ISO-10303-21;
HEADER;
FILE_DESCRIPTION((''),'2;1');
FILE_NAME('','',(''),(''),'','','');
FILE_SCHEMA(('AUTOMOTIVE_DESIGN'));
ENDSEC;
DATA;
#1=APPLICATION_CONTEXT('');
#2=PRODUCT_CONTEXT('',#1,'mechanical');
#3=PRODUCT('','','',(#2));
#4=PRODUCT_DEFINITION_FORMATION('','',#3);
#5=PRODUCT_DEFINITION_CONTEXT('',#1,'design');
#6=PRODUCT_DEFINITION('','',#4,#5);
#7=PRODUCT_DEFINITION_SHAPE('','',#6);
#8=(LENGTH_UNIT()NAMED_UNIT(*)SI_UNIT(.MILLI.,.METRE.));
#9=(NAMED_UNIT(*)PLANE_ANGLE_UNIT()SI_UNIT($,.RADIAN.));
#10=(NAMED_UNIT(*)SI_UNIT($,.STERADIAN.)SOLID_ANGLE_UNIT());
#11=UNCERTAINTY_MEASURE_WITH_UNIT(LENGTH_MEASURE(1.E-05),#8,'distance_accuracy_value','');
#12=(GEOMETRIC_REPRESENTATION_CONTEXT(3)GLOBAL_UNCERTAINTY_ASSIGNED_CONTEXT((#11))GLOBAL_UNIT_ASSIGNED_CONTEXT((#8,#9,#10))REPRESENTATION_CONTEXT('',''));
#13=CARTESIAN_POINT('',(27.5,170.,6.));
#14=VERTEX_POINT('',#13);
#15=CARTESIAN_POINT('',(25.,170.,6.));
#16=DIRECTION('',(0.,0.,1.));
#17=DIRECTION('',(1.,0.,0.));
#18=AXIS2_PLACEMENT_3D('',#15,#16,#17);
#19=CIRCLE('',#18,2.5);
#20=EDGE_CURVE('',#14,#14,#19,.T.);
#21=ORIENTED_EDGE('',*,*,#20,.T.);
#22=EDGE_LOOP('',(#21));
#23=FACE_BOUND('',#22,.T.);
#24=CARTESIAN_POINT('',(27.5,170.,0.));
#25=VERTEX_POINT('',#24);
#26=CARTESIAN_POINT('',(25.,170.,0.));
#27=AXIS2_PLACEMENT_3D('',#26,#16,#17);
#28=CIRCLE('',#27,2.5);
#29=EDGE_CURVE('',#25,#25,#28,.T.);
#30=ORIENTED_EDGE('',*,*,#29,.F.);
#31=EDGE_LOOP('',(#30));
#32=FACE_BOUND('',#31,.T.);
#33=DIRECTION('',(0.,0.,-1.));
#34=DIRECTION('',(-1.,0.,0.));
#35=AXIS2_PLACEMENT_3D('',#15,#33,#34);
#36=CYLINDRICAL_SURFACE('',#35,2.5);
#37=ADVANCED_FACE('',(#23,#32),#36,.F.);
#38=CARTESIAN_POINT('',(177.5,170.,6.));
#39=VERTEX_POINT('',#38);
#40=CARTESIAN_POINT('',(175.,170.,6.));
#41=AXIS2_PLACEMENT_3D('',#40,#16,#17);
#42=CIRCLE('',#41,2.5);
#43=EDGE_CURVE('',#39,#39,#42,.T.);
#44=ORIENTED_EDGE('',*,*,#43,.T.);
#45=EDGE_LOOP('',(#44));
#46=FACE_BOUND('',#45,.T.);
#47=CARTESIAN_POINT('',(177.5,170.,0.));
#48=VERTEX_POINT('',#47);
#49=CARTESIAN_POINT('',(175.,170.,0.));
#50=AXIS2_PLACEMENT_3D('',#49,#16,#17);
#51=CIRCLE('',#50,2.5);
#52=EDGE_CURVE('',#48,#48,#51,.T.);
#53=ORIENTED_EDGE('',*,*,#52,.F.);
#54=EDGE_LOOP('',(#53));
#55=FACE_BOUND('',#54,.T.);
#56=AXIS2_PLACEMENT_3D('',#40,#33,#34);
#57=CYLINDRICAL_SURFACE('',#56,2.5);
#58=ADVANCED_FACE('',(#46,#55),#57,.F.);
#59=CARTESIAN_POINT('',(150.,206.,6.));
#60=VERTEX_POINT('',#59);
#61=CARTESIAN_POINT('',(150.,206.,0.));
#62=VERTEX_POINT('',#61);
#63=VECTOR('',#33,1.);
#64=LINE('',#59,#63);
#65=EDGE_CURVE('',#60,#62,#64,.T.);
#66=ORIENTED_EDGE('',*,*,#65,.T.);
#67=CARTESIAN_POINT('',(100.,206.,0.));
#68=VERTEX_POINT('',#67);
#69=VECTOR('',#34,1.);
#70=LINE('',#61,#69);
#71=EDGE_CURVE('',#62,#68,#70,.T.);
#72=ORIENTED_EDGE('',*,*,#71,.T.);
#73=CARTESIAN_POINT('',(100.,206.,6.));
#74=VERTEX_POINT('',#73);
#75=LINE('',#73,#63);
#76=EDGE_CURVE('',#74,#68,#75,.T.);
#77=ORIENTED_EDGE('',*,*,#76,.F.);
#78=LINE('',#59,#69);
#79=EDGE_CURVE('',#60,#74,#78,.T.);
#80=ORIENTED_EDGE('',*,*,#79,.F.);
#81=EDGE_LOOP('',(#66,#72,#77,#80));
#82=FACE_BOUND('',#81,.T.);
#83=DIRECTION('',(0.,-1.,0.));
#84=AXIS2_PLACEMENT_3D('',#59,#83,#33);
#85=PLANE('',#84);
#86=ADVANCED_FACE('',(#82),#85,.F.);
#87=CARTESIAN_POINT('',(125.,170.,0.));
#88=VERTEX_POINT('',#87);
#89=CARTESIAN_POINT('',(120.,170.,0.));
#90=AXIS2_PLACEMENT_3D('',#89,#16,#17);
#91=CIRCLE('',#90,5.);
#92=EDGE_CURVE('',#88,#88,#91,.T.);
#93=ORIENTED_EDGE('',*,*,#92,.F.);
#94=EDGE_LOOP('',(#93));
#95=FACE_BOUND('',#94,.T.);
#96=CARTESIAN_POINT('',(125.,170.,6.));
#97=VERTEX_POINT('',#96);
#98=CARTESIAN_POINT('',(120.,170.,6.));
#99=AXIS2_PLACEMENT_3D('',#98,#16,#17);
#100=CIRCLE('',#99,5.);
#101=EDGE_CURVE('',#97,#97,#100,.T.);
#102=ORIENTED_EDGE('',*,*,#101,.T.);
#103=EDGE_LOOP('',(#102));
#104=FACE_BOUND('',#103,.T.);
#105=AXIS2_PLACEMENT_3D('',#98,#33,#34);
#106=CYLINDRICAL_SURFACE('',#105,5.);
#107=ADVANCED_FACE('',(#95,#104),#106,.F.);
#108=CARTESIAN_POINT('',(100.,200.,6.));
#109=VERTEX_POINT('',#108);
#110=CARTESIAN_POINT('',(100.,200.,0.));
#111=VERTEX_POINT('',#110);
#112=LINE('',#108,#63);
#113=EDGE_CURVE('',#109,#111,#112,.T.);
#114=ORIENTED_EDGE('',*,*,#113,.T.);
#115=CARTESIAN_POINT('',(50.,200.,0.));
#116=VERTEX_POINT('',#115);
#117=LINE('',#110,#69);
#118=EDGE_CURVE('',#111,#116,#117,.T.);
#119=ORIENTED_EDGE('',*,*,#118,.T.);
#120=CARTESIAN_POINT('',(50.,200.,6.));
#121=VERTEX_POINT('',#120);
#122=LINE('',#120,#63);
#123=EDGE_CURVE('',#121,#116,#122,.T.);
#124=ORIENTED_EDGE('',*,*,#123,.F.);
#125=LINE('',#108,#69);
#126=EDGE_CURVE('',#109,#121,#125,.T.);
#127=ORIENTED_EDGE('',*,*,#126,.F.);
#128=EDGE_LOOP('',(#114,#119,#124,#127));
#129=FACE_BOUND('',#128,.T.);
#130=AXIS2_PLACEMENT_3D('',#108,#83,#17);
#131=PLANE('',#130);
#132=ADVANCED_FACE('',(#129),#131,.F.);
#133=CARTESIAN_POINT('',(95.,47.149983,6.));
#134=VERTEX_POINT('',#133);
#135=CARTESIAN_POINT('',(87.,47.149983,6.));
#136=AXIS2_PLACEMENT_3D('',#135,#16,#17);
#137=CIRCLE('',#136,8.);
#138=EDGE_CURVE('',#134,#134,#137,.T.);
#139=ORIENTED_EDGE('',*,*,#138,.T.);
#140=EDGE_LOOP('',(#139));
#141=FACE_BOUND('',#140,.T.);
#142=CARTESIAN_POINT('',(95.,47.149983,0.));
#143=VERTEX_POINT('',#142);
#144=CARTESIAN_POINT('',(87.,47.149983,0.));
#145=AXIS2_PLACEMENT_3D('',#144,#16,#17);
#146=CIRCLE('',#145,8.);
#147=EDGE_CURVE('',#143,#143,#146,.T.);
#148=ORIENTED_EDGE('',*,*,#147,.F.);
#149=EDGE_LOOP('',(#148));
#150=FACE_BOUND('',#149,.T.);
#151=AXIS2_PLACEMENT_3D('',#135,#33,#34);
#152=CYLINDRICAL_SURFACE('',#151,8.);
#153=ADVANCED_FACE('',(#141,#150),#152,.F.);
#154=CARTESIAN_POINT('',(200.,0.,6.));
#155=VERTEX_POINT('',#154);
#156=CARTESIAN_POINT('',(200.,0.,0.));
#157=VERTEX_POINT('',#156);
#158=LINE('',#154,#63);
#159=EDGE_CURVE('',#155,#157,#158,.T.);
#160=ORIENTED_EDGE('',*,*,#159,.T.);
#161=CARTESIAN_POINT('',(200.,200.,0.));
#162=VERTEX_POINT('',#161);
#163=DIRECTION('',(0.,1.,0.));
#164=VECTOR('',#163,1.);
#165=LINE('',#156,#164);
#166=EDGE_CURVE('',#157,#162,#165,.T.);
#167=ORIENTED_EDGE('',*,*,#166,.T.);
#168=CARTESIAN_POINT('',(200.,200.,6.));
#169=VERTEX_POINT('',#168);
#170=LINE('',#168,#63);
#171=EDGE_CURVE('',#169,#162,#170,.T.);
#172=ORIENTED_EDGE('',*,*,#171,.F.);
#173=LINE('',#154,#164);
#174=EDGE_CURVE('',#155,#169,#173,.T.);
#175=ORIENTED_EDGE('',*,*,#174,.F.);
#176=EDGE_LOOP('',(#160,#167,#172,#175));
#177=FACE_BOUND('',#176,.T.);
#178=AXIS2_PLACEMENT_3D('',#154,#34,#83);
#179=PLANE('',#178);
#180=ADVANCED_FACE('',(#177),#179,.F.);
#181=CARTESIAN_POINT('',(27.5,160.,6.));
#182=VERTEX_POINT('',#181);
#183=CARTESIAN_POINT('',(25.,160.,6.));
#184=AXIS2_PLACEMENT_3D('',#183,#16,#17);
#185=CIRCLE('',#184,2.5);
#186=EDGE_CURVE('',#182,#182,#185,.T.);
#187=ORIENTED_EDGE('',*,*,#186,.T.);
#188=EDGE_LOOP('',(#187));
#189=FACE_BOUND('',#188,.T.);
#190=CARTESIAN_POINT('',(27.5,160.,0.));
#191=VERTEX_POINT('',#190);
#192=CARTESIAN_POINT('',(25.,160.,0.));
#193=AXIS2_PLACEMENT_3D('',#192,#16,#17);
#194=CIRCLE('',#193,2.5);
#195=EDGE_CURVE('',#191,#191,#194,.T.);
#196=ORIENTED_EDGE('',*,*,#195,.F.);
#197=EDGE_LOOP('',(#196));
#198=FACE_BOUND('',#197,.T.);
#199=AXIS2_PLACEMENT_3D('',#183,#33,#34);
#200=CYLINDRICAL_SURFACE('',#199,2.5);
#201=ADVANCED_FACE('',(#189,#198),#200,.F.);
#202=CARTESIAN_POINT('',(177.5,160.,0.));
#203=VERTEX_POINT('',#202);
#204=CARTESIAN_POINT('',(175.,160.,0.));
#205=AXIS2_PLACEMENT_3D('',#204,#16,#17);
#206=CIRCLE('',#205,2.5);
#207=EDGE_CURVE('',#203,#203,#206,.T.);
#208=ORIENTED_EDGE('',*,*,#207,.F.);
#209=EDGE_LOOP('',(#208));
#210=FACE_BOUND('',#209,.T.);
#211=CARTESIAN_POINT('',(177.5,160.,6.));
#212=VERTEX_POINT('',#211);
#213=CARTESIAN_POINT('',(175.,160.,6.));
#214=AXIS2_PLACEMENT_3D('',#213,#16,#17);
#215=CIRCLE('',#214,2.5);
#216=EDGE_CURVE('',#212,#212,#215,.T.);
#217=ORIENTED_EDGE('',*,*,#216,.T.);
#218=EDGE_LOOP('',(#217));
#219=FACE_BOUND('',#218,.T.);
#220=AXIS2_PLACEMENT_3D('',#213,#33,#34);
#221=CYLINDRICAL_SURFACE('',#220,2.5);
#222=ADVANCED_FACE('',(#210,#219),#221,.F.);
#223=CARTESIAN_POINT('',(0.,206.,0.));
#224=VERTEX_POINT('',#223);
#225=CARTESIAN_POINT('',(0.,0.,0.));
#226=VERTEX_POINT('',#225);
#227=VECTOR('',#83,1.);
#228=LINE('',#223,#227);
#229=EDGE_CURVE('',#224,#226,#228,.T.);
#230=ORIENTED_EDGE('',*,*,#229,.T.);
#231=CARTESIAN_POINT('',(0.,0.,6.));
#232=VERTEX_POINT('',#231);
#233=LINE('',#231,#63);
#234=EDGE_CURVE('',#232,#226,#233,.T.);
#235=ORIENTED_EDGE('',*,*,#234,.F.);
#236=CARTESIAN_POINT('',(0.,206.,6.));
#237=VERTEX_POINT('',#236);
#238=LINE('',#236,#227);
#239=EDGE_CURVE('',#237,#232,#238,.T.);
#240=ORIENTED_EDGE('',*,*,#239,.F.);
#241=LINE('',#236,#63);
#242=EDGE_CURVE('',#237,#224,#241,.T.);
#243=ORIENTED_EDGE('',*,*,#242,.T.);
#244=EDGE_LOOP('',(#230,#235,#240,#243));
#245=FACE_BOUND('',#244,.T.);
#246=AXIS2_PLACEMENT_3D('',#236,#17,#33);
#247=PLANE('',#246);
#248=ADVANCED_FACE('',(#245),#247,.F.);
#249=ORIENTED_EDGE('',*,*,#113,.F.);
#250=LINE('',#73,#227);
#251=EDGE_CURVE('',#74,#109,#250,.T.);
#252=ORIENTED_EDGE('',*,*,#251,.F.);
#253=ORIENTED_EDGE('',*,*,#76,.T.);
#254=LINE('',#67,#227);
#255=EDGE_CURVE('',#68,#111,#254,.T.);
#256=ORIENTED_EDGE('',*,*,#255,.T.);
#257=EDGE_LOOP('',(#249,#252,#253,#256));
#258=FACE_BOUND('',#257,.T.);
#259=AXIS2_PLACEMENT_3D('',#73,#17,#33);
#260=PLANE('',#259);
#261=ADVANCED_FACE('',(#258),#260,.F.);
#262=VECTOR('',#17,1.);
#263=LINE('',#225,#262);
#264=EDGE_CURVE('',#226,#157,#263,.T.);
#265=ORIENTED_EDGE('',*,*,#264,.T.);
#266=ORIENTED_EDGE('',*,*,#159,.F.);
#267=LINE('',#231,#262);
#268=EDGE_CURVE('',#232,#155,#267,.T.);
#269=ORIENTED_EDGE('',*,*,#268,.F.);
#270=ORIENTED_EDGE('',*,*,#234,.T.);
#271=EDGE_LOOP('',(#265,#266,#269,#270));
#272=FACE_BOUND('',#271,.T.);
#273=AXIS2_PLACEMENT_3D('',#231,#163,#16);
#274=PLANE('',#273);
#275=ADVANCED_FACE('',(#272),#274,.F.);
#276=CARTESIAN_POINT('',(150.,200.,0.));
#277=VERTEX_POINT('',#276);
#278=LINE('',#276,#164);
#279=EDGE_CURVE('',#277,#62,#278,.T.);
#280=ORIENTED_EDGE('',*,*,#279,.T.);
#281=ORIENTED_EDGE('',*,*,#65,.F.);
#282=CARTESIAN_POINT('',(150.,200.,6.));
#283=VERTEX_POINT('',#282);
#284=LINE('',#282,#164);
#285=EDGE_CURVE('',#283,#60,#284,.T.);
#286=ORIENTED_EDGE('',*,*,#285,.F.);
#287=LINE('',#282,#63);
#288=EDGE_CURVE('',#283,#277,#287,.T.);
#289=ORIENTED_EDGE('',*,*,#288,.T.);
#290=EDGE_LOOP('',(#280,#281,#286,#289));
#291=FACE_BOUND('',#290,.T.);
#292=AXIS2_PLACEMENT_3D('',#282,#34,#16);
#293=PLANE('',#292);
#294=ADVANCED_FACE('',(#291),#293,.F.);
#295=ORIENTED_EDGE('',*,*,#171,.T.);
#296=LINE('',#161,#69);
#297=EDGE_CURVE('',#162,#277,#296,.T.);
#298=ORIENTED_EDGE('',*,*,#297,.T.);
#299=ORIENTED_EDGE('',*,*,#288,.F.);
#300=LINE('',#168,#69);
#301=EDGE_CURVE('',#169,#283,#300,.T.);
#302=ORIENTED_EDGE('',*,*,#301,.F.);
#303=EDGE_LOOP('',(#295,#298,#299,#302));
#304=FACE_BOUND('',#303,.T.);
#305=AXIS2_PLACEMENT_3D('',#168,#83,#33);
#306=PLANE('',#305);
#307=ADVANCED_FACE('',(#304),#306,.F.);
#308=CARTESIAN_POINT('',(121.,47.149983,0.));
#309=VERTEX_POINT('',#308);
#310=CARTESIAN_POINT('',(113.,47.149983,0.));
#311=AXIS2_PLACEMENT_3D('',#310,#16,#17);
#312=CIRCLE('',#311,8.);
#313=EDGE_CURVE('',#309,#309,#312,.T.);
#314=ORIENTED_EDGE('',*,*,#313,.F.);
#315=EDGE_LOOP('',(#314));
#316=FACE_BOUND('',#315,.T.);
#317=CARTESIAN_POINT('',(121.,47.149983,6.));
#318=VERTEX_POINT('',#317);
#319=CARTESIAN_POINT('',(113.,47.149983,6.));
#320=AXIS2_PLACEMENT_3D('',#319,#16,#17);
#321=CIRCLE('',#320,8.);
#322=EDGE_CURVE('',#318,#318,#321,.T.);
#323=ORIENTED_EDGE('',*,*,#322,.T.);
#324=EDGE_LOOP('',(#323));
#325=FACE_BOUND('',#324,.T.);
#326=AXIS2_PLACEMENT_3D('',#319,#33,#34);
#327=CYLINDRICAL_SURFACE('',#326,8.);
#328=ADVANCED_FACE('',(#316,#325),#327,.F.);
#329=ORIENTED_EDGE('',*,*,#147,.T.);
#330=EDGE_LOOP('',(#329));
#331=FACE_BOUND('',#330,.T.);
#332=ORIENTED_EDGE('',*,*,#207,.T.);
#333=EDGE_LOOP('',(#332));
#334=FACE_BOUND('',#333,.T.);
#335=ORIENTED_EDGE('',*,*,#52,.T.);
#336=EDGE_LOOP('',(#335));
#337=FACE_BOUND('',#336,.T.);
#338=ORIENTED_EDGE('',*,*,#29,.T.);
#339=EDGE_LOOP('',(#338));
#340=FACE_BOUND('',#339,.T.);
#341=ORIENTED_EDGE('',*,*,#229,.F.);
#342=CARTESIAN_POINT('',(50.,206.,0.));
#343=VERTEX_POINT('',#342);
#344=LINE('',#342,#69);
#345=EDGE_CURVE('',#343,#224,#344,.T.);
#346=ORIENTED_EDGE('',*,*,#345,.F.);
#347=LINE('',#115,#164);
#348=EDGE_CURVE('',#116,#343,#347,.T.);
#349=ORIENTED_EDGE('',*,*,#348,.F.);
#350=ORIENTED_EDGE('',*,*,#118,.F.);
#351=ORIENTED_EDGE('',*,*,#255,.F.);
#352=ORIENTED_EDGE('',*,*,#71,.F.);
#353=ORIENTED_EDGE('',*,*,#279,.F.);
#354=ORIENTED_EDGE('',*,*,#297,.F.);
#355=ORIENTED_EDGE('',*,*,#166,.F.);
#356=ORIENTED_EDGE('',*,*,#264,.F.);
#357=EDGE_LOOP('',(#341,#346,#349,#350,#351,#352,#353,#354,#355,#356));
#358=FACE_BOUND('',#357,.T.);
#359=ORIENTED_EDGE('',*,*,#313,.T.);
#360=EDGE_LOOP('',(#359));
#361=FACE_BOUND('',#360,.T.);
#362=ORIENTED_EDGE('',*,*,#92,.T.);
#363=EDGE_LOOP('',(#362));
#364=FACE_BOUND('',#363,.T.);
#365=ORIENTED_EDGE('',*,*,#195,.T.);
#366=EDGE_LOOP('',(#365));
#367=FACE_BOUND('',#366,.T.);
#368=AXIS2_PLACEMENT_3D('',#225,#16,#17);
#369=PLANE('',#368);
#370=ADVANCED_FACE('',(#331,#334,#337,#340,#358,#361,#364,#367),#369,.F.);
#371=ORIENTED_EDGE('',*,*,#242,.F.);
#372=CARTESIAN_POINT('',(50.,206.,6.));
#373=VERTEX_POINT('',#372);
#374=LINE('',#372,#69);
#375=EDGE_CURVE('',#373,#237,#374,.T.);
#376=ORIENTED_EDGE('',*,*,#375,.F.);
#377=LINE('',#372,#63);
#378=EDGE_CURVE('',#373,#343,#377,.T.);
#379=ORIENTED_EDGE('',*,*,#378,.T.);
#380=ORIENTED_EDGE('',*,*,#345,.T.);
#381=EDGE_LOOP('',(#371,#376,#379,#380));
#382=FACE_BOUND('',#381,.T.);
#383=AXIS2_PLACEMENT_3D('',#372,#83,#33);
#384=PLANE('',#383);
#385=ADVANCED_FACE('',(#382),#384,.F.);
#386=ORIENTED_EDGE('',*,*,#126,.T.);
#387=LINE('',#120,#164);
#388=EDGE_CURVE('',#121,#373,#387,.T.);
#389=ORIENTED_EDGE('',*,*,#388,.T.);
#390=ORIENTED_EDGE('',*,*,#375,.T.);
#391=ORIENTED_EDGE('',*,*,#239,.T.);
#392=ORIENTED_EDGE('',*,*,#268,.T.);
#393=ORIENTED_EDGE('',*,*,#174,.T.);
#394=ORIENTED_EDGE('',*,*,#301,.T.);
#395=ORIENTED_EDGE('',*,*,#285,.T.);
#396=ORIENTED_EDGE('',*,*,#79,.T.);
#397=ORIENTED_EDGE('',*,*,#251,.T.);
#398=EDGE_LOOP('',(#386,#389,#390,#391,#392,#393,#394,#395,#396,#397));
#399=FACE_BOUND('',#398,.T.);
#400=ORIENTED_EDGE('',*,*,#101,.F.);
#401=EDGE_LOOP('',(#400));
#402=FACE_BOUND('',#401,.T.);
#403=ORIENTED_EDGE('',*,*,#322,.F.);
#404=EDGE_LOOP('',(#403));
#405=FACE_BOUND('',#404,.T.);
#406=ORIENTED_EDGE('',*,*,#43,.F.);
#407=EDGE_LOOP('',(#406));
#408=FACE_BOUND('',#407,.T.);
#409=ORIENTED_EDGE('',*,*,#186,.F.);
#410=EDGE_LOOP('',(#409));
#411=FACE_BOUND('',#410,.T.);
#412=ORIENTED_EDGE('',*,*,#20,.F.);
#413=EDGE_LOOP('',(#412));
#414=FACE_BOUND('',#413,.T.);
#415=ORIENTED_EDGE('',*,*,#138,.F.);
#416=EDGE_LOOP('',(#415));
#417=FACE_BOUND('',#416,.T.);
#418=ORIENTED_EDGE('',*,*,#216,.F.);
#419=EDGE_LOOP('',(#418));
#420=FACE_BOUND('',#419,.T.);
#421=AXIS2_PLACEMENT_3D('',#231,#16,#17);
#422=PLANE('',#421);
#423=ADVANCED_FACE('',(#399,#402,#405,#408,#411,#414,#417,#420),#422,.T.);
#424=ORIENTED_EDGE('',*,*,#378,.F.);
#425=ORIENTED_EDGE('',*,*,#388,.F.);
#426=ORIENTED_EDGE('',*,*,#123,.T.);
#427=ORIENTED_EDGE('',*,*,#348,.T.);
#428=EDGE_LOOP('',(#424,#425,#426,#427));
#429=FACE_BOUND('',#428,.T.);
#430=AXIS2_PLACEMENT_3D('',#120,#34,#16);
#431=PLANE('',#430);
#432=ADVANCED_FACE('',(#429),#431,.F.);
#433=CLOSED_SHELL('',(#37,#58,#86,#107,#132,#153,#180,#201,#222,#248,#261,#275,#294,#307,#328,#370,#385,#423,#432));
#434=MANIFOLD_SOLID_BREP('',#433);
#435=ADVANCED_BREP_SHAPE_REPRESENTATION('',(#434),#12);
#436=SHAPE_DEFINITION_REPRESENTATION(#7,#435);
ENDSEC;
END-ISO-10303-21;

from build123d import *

# Parameters (mm, degrees)
ESQUISSE1_R        = 2.5
ESQUISSE1_R_2      = 5
ESQUISSE1_R_3      = 8
BOSS_EXTRU_1_DEPTH = 6


with BuildPart() as part:
    # Esquisse1 → Boss.-Extru.1 (new body)
    with BuildSketch(Plane.XY):
        Polygon((0, 0), (200, 0), (200, 200), (150, 200), (150, 206), (100, 206), (100, 200), (50, 200), (50, 206), (0, 206), align=None)
        with Locations((175, 170)):
            Circle(ESQUISSE1_R, mode=Mode.SUBTRACT)
        with Locations((175, 160)):
            Circle(ESQUISSE1_R, mode=Mode.SUBTRACT)
        with Locations((25, 170)):
            Circle(ESQUISSE1_R, mode=Mode.SUBTRACT)
        with Locations((25, 160)):
            Circle(ESQUISSE1_R, mode=Mode.SUBTRACT)
        with Locations((120, 170)):
            Circle(ESQUISSE1_R_2, mode=Mode.SUBTRACT)
        with Locations((87, 47.14998282)):
            Circle(ESQUISSE1_R_3, mode=Mode.SUBTRACT)
        with Locations((113, 47.14998282)):
            Circle(ESQUISSE1_R_3, mode=Mode.SUBTRACT)
    extrude(amount=BOSS_EXTRU_1_DEPTH)


solid = part.part
